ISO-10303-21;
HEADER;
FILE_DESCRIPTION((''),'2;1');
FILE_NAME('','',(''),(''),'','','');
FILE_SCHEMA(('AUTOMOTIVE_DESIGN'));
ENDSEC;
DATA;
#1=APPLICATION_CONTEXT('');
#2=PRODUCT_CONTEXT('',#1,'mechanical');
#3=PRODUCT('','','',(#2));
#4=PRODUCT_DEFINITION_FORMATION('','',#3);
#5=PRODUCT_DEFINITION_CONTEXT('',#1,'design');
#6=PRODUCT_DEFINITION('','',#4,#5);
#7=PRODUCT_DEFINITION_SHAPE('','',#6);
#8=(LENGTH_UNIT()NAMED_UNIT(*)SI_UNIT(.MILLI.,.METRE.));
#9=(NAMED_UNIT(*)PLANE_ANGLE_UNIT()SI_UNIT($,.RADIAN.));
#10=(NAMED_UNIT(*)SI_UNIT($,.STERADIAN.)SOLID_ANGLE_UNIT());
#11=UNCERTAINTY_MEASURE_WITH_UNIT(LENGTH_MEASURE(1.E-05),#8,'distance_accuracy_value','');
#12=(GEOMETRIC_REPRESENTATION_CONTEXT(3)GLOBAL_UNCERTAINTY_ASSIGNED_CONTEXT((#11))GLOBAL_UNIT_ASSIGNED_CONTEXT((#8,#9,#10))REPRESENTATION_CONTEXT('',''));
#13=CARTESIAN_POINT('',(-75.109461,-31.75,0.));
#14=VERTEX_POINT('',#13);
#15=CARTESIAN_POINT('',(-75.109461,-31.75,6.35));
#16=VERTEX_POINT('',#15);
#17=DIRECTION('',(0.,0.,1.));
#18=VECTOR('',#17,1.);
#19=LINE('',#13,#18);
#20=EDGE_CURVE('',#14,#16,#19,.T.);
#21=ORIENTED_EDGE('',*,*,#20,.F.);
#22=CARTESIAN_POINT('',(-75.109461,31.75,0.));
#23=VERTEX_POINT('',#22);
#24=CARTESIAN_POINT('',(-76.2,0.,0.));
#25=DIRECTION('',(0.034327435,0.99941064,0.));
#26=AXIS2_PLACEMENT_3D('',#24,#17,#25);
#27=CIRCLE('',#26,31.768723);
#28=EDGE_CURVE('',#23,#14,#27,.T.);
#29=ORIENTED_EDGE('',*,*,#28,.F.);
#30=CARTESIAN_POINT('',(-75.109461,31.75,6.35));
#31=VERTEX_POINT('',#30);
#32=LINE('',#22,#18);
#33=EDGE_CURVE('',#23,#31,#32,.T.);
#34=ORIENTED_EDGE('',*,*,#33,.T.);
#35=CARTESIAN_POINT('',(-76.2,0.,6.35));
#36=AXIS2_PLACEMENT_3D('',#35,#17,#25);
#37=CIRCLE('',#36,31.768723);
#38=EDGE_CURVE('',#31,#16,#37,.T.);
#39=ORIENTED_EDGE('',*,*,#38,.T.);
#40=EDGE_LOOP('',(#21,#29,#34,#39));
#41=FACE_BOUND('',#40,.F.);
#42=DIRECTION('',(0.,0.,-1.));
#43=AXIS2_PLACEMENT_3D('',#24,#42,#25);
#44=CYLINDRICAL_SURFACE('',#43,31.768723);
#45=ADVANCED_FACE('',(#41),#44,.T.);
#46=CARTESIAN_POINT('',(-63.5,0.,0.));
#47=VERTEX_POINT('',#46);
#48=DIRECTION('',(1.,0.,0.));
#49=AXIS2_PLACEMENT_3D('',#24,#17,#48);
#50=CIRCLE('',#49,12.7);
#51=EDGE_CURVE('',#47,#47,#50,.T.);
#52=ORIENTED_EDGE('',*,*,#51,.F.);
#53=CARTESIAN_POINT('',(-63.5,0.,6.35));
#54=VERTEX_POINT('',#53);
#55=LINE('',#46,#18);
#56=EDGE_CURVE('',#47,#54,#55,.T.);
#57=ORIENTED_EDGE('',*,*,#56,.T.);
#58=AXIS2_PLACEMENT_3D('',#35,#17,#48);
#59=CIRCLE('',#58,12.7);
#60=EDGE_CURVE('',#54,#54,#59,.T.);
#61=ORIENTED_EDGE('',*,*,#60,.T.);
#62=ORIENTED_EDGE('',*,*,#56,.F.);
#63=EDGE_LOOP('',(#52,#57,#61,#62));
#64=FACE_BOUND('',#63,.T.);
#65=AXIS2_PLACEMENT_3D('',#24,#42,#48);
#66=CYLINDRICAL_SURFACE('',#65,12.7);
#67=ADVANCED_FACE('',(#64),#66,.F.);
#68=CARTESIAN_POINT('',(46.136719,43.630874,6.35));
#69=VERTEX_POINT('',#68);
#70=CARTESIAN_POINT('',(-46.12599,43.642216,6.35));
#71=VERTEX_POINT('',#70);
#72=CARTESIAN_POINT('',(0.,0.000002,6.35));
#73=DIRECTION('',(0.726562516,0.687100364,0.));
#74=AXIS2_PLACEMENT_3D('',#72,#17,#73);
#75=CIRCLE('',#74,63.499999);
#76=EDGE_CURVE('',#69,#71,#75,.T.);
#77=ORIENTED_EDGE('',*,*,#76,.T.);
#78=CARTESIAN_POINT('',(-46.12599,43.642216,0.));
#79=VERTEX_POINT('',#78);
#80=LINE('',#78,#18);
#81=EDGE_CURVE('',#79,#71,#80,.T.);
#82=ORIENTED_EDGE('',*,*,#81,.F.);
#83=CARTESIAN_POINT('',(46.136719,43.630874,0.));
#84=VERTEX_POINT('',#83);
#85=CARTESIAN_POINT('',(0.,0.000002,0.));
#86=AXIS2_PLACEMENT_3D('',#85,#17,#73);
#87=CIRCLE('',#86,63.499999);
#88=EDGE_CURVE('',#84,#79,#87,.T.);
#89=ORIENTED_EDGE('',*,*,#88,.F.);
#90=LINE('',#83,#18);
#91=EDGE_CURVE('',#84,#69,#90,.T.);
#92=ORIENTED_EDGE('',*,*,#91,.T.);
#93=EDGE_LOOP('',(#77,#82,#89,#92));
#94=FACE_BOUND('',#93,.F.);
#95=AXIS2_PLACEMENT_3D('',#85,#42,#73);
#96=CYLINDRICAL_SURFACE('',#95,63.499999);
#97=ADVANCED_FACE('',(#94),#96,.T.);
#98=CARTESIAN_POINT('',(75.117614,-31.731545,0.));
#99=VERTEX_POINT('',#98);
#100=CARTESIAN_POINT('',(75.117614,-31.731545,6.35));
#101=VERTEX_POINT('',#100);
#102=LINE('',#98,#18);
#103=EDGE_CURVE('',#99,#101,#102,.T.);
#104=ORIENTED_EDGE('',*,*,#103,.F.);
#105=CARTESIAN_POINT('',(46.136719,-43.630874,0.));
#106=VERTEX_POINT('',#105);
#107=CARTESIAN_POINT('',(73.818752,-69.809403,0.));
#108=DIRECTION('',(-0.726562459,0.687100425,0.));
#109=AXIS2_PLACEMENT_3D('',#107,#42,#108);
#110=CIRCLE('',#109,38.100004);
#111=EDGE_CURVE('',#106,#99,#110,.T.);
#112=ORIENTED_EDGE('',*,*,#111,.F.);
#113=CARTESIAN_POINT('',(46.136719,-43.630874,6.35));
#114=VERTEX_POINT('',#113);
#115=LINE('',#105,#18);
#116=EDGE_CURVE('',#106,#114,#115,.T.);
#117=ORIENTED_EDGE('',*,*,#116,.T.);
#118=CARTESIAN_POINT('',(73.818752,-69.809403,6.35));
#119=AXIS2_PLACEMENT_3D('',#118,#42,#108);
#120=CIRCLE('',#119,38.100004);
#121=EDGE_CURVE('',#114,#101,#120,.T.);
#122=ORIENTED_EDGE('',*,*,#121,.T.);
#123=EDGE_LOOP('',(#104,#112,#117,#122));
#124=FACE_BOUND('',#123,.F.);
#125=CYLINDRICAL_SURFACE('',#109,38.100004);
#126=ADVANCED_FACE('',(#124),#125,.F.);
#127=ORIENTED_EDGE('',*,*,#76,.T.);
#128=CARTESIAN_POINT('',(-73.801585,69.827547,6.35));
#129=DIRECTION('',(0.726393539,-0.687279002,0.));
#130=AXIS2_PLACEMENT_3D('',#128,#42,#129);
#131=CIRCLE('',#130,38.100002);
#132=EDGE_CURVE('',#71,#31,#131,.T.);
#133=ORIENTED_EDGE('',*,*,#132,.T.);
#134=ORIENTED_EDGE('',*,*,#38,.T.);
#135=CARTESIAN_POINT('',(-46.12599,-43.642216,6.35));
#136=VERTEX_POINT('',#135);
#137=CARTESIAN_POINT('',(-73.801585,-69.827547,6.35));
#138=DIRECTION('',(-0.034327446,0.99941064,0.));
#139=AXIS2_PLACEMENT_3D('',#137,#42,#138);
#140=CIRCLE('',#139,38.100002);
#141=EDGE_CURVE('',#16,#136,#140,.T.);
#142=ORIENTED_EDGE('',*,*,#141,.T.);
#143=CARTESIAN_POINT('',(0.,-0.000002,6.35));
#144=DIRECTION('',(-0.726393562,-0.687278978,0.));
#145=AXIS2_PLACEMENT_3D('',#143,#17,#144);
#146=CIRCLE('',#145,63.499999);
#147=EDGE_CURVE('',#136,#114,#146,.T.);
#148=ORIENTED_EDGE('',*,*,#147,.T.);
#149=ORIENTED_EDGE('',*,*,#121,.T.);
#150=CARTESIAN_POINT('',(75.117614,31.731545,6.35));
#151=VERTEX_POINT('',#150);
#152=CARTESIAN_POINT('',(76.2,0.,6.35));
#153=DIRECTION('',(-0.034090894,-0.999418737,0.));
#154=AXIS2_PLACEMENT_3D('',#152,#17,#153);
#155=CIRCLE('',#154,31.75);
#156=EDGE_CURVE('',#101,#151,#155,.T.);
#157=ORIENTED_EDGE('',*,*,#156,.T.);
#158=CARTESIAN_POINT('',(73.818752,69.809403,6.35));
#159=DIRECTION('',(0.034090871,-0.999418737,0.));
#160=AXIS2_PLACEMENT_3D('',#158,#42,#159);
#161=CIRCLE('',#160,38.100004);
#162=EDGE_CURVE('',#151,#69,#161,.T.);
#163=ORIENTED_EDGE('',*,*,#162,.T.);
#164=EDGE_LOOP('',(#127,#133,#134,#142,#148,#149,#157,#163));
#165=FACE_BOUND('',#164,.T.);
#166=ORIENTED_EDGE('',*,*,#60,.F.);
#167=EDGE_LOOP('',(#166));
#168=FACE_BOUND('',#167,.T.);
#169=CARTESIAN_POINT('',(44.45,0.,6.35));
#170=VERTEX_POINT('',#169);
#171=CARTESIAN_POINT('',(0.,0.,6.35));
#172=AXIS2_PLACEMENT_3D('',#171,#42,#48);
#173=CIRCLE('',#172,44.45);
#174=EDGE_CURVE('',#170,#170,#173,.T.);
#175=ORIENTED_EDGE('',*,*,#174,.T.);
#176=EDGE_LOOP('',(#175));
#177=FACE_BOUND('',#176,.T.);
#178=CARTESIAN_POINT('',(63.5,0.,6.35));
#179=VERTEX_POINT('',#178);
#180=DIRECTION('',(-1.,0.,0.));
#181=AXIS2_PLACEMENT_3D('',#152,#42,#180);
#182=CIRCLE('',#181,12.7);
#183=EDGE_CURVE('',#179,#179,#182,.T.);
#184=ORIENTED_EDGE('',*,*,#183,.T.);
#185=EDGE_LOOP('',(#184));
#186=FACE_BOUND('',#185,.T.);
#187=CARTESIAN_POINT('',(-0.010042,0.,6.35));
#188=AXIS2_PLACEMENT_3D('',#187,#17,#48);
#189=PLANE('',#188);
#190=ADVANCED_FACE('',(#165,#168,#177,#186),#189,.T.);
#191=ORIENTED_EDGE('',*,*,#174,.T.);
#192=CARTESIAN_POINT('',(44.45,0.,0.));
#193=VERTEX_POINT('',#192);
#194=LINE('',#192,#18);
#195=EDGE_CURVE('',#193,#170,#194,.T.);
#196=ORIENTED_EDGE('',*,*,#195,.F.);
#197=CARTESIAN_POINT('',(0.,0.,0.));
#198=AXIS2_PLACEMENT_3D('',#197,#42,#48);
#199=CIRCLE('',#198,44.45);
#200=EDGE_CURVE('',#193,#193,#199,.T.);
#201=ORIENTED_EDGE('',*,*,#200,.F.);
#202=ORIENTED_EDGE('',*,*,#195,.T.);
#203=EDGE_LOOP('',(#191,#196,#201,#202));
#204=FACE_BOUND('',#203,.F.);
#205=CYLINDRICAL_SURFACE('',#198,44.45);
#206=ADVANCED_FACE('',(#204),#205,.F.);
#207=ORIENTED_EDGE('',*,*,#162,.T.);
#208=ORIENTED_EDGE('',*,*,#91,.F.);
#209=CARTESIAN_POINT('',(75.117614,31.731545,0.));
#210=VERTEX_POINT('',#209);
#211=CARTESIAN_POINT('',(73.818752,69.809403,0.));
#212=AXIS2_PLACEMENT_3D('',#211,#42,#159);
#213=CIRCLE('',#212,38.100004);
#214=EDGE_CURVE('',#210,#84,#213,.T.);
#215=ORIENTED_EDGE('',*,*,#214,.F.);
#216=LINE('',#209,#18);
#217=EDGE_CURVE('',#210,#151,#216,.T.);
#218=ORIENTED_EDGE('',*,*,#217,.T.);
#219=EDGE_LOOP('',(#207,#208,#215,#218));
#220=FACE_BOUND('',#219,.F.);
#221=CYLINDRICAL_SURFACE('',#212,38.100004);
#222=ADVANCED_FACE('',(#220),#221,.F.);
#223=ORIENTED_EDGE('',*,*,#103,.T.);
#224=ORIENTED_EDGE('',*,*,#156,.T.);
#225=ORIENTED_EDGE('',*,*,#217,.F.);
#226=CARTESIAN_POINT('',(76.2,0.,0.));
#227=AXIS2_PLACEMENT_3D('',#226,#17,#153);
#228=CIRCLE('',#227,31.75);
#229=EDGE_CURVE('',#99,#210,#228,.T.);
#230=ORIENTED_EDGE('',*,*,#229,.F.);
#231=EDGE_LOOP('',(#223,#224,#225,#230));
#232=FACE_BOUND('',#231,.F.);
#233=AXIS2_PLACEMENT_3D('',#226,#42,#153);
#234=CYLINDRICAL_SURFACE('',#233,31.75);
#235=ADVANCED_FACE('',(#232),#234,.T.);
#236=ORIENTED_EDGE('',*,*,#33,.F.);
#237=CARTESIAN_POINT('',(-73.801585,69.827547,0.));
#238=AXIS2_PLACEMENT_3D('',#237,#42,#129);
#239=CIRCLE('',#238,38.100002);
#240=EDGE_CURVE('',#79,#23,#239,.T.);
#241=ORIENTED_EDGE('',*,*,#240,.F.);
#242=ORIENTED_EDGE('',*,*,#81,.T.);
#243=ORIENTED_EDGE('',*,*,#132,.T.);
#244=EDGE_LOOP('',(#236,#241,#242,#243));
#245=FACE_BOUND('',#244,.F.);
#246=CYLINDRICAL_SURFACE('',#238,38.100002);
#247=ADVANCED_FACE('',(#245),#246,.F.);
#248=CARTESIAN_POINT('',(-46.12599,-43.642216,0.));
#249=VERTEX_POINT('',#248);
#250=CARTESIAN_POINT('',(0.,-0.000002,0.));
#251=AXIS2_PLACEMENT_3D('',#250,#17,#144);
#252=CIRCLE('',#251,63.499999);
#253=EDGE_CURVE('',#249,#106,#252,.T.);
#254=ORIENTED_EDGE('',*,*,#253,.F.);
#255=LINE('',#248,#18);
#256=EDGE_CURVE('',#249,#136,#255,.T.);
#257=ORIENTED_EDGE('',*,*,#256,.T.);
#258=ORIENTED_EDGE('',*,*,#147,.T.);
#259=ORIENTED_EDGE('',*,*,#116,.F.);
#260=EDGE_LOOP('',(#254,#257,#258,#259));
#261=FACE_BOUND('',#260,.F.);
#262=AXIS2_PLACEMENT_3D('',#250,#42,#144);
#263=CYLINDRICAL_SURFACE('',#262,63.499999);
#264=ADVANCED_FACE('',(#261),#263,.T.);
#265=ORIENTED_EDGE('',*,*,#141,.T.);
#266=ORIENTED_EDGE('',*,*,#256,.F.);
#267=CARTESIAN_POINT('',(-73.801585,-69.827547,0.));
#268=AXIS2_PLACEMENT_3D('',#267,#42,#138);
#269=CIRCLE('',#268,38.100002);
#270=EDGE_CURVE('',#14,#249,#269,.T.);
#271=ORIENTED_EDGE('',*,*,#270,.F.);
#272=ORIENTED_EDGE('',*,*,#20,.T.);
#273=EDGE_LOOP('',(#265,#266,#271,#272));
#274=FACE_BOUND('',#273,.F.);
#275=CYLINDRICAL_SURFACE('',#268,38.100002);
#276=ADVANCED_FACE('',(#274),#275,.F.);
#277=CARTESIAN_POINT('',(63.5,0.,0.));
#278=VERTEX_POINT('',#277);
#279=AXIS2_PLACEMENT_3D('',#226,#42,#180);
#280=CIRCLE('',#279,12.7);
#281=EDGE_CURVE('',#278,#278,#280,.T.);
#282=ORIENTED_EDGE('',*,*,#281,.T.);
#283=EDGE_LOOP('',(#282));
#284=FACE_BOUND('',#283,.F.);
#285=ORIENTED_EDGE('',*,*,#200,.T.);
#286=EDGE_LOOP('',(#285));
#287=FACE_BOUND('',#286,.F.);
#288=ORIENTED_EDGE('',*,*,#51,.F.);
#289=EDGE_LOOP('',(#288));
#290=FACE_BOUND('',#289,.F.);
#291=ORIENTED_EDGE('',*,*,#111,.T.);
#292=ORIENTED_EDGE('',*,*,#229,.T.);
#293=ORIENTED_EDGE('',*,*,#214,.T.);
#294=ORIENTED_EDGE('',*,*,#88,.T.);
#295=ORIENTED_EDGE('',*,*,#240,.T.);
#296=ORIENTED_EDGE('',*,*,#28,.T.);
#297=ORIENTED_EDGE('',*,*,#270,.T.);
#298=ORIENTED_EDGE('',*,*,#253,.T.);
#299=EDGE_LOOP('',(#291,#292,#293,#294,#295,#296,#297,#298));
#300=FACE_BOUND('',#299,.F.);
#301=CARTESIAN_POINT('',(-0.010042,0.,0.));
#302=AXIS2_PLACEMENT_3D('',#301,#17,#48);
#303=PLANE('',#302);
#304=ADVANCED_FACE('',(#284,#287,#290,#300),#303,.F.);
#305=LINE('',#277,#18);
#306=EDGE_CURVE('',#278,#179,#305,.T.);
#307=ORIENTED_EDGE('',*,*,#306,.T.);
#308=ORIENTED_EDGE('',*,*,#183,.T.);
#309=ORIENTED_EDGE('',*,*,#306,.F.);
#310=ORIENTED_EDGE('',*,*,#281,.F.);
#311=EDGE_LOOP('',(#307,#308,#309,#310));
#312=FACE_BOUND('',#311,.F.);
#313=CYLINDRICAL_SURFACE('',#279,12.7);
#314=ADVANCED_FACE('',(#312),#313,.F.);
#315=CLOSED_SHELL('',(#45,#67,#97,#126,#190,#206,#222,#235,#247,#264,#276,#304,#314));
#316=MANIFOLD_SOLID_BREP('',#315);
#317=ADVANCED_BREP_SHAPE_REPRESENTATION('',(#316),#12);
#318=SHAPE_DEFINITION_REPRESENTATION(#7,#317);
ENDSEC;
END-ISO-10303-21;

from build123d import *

# Parameters (mm, degrees)
F0_R     = 12.7
F1_DEPTH = 6.35


with BuildPart() as f1:
    # F0 (on Top) → F1 (new body)
    with BuildSketch(Plane.XY):
        with BuildLine():
            ThreePointArc((-75.109461, -31.75), (-59.338862, -34.579288), (-46.12599, -43.642216))
            ThreePointArc((-46.12599, -43.642216), (0.007806, -63.5), (46.136719, -43.630874))
            ThreePointArc((46.136719, -43.630874), (59.347524, -34.564632), (75.117614, -31.731545))
            ThreePointArc((75.117614, -31.731545), (107.95, 0), (75.117614, 31.731545))
            ThreePointArc((75.117614, 31.731545), (59.347524, 34.564632), (46.136719, 43.630874))
            ThreePointArc((46.136719, 43.630874), (0.007806, 63.5), (-46.12599, 43.642216))
            ThreePointArc((-46.12599, 43.642216), (-59.338862, 34.579288), (-75.109461, 31.75))
            ThreePointArc((-75.109461, 31.75), (-107.968723, 0), (-75.109461, -31.75))
        make_face()
        with Locations((-76.2, 0)):
            Circle(F0_R, mode=Mode.SUBTRACT)
        with BuildLine():
            ThreePointArc((-44.45, 0), (0, 44.45), (44.45, 0))
            ThreePointArc((44.45, 0), (0, -44.45), (-44.45, 0))
        make_face(mode=Mode.SUBTRACT)
        with BuildLine():
            ThreePointArc((88.9, 0), (76.2, -12.7), (63.5, 0))
            ThreePointArc((63.5, 0), (76.2, 12.7), (88.9, 0))
        make_face(mode=Mode.SUBTRACT)
    extrude(amount=F1_DEPTH)


solid = f1.part
